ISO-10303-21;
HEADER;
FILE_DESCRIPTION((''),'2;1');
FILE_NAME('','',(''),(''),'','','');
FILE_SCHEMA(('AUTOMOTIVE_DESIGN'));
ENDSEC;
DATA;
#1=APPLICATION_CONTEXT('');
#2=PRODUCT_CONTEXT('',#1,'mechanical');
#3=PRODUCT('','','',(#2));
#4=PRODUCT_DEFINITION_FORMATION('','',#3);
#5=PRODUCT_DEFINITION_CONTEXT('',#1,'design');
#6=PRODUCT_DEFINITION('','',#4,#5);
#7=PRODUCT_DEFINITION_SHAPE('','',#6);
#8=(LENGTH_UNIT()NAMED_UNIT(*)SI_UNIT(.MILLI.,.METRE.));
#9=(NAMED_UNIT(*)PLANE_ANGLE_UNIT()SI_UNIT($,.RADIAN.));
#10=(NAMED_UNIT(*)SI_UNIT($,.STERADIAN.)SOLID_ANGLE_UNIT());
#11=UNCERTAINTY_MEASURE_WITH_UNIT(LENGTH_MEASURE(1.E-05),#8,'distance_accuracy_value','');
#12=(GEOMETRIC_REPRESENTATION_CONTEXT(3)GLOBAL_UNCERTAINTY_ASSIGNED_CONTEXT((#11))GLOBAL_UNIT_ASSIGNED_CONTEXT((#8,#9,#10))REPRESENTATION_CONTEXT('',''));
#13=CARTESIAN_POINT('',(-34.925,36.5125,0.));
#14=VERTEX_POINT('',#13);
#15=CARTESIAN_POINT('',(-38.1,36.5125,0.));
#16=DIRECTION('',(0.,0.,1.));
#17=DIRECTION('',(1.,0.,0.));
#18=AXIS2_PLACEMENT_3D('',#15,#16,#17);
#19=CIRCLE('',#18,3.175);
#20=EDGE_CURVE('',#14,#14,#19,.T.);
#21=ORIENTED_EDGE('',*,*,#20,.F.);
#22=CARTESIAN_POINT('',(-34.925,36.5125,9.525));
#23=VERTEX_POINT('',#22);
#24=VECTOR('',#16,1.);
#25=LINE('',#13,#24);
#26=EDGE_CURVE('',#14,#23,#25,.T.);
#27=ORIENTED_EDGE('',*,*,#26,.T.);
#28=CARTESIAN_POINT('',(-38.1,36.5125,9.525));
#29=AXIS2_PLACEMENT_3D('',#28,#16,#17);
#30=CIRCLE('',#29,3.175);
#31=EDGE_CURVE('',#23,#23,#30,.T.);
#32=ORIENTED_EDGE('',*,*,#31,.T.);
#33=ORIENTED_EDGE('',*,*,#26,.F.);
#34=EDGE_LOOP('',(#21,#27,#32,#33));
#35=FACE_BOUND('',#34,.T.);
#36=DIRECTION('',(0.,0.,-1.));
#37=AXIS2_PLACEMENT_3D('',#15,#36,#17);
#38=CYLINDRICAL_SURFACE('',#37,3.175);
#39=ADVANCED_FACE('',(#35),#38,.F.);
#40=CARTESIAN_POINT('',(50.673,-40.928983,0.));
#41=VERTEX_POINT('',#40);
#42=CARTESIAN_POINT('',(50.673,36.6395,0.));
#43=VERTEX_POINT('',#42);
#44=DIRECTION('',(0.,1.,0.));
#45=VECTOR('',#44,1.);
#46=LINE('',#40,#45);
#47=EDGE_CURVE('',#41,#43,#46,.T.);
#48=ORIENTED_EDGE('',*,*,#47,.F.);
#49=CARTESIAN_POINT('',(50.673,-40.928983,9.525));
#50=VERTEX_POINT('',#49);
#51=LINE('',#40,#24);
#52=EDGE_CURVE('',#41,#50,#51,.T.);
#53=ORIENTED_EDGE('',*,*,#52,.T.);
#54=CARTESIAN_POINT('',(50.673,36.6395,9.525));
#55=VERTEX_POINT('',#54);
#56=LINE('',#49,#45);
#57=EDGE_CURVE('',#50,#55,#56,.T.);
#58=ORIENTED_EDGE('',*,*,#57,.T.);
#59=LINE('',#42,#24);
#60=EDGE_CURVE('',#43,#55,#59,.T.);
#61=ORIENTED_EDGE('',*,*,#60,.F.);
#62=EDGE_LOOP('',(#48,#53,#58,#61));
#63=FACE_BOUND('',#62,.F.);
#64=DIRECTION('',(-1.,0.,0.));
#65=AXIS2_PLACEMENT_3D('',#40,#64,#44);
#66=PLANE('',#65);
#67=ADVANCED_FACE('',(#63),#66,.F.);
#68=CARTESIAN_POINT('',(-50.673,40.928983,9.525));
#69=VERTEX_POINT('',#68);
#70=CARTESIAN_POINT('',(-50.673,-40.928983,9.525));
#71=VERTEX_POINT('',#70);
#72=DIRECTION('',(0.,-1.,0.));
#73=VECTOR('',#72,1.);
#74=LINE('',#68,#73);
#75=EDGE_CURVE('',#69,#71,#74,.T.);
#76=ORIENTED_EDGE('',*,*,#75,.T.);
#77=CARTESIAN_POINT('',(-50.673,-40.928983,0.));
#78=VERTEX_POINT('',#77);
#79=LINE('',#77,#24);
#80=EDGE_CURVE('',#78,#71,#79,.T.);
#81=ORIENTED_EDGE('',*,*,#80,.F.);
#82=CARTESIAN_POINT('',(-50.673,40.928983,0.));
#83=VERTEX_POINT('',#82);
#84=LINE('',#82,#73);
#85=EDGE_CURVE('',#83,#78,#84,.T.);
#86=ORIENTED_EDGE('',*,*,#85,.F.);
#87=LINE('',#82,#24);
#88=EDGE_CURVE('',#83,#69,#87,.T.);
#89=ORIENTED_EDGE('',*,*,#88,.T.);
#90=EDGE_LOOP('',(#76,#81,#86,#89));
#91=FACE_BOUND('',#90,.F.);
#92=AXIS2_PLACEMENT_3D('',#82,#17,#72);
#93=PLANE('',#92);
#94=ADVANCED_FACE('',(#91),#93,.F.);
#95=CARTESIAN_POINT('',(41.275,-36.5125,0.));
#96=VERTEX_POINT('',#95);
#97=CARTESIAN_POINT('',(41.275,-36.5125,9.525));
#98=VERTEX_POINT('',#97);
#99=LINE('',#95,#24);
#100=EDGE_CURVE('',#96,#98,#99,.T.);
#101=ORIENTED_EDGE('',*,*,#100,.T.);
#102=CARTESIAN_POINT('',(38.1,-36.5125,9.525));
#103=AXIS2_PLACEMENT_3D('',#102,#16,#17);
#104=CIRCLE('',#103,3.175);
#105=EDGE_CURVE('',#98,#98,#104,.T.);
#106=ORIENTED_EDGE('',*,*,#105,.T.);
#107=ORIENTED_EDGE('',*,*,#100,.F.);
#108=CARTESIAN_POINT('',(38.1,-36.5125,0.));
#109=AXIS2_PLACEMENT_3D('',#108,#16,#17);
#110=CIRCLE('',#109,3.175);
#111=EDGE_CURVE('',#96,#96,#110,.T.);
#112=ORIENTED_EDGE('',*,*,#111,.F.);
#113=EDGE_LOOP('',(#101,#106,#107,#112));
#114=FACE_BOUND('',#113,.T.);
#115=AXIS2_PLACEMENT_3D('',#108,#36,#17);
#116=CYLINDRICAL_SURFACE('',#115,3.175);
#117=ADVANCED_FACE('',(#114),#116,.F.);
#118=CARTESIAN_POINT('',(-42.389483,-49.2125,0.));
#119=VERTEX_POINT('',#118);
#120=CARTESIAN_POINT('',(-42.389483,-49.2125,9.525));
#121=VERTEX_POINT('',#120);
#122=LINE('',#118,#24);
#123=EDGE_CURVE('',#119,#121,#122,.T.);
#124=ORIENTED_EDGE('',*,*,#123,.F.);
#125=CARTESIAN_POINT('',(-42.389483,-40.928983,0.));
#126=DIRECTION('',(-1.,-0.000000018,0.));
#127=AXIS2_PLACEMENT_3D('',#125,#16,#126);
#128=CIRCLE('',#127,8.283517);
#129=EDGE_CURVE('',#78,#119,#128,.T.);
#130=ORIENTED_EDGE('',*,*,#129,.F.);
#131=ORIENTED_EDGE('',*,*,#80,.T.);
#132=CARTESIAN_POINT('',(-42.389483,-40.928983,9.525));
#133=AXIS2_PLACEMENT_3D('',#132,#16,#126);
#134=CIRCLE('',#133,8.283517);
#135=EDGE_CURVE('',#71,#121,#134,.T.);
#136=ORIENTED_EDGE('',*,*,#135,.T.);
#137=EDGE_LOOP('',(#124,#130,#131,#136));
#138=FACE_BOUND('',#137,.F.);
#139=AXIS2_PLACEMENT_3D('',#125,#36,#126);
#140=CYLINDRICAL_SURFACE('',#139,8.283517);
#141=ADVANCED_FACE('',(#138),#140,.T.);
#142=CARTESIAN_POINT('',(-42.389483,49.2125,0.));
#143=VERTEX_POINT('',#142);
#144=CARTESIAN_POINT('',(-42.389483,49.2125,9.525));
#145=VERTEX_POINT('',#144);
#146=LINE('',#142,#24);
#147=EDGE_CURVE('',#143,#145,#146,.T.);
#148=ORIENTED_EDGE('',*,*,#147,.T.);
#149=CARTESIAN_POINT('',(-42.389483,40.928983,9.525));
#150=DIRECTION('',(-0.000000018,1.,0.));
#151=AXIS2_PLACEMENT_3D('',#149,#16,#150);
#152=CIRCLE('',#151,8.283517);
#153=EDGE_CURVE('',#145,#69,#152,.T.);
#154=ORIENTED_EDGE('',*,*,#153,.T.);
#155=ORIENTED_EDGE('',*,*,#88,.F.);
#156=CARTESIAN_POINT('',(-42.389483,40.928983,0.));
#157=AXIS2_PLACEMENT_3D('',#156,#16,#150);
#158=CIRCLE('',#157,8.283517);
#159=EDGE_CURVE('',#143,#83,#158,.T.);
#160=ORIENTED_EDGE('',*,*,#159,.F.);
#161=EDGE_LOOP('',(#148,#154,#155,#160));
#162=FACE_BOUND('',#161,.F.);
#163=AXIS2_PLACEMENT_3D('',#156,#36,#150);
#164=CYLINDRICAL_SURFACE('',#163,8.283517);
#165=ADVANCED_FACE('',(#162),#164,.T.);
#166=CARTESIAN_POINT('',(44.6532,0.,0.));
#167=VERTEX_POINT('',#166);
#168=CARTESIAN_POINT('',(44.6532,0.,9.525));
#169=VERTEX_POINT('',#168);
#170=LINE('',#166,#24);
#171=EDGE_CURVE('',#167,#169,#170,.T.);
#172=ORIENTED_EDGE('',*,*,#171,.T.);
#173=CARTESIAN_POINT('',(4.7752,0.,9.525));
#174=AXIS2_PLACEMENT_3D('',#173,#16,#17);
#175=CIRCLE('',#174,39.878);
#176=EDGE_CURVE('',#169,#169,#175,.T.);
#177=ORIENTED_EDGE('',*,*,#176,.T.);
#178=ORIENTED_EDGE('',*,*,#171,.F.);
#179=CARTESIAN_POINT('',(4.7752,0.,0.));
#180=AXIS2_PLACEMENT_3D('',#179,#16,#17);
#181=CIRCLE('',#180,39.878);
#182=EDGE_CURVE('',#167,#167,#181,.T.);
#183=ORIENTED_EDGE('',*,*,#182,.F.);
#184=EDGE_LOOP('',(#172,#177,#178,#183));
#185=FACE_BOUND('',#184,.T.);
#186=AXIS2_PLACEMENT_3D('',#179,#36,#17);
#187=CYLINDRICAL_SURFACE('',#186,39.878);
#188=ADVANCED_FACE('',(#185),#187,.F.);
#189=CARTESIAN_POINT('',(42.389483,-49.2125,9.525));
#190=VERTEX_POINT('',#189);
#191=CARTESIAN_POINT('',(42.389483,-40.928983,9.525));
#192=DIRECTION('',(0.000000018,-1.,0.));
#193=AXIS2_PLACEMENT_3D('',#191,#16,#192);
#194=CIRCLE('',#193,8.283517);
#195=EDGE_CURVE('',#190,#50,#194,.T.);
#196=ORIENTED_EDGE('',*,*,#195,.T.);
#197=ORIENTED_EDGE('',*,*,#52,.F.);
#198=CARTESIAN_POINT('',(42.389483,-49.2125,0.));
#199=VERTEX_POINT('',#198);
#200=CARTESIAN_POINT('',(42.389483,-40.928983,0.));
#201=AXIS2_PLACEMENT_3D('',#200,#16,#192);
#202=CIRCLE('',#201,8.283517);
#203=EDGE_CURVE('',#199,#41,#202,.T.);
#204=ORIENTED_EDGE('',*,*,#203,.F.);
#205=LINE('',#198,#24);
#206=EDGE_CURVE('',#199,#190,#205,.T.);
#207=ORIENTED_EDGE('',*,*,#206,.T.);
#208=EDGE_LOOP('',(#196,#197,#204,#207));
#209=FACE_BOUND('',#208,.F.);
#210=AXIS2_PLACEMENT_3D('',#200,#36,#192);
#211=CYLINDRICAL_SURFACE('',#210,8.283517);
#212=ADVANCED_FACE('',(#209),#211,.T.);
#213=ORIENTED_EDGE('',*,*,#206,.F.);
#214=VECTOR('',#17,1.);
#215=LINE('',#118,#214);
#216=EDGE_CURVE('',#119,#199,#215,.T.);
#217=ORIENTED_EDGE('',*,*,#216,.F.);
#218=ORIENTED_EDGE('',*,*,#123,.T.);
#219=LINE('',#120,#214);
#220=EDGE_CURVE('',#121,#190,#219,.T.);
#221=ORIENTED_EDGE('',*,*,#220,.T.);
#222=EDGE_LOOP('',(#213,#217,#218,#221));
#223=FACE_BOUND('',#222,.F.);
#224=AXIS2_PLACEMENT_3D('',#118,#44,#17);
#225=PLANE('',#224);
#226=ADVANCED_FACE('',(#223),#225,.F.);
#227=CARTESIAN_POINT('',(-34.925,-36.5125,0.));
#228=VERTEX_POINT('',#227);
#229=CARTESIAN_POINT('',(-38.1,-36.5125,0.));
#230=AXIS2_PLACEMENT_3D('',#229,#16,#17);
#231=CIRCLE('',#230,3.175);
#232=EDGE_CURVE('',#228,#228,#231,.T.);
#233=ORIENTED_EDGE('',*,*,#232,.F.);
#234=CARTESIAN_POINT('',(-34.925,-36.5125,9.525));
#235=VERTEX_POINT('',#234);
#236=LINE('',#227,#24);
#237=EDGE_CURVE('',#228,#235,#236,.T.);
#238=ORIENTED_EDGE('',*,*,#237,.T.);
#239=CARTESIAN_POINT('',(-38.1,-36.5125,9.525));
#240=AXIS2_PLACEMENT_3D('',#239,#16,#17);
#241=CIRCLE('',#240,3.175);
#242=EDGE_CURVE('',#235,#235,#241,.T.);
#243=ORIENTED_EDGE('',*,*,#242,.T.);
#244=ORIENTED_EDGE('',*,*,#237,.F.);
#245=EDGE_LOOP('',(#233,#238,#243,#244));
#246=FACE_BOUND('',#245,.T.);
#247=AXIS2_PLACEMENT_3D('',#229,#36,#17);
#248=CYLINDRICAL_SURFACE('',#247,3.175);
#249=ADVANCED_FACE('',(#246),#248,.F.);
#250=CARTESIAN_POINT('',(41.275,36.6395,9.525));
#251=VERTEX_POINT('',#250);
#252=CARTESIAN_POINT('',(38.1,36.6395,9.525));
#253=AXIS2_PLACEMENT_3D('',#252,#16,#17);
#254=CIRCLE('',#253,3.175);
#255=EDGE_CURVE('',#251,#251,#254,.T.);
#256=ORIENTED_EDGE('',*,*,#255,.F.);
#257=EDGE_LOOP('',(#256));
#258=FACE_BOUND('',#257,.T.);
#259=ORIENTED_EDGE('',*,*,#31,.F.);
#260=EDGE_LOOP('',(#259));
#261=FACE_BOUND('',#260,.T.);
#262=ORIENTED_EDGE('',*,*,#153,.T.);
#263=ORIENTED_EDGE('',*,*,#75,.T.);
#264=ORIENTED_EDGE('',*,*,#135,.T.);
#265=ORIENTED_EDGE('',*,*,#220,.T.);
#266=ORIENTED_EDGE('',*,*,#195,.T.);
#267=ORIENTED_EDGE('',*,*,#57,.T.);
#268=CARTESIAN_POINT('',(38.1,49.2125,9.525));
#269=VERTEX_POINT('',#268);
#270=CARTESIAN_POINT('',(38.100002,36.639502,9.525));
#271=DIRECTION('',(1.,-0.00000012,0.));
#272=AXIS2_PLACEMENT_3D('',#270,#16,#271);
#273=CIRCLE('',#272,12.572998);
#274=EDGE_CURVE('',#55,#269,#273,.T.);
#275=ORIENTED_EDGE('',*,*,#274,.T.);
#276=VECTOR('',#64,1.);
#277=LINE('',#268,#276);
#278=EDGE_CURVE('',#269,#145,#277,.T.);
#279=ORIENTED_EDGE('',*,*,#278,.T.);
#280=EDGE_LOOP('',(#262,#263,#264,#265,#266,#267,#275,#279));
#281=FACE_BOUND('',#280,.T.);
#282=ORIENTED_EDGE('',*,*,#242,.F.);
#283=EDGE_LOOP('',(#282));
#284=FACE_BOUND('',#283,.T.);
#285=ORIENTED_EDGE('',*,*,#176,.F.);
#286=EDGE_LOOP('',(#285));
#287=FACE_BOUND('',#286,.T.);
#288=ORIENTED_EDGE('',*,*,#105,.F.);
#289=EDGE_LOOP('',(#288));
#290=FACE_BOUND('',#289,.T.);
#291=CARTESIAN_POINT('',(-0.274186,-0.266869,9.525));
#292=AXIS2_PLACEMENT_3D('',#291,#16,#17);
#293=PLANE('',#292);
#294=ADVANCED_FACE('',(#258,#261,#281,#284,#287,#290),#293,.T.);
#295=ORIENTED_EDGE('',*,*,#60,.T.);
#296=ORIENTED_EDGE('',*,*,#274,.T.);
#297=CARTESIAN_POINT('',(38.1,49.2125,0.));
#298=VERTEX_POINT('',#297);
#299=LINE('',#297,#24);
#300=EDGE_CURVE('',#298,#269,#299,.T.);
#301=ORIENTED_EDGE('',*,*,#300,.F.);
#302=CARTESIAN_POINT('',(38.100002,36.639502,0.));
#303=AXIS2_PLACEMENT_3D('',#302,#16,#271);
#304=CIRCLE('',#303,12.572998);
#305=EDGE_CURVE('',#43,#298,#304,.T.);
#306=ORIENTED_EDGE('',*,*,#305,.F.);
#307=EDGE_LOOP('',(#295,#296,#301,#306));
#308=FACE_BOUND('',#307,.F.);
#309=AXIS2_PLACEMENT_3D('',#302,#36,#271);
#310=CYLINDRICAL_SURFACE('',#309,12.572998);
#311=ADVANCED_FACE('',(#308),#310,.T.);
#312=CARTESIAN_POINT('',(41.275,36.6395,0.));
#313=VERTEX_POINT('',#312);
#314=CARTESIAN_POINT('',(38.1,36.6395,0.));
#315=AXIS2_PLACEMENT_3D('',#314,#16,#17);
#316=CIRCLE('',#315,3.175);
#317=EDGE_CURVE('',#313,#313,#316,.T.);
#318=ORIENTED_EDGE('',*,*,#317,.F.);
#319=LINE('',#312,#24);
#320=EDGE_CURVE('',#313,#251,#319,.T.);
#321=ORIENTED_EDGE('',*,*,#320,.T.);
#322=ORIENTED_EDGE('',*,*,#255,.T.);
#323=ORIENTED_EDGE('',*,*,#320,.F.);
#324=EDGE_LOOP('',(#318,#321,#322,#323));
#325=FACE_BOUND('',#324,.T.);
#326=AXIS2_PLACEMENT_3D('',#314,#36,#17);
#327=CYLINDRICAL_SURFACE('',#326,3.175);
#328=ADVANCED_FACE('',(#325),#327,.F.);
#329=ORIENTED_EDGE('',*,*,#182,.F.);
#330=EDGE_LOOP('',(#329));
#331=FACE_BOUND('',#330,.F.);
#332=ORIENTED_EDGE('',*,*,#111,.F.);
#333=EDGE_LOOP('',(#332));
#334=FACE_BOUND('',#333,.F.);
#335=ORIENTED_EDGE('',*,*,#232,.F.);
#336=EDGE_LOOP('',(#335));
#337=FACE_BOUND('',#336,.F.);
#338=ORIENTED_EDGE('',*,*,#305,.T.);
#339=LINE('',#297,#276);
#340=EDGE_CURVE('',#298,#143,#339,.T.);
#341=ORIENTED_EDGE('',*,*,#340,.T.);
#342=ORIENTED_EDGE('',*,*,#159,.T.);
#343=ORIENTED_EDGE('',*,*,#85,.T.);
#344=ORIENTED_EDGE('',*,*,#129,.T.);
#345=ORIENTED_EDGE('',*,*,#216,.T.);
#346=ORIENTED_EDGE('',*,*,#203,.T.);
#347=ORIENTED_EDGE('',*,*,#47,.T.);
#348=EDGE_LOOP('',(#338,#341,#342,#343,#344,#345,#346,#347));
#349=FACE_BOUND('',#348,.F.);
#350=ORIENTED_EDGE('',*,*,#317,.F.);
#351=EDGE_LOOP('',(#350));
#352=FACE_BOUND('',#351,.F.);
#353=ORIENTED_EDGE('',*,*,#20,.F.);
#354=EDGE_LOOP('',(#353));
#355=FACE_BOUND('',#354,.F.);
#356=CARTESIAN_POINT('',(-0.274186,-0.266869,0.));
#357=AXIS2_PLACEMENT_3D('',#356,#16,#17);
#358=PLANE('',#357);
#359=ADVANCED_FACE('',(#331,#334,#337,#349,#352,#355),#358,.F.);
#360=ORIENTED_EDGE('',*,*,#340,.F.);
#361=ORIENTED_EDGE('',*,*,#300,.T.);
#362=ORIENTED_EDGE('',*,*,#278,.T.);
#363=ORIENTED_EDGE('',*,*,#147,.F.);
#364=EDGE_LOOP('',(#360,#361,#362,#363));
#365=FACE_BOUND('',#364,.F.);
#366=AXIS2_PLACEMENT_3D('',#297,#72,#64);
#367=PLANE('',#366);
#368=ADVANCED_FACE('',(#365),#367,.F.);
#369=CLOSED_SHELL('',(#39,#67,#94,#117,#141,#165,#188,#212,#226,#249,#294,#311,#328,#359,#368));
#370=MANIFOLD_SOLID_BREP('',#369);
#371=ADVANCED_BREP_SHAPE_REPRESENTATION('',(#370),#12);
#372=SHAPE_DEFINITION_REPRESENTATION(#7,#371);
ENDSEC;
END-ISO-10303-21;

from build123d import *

# Parameters (mm, degrees)
F0_R     = 3.175
F0_R_2   = 39.878
F1_DEPTH = 9.525


with BuildPart() as f1:
    # F0 (on Top) → F1 (new body)
    with BuildSketch(Plane.XY):
        with BuildLine():
            Line((38.1, 49.2125), (-42.389483, 49.2125))
            ThreePointArc((-42.389483, 49.2125), (-48.246814, 46.786314), (-50.673, 40.928983))
            Line((-50.673, 40.928983), (-50.673, -40.928983))
            ThreePointArc((-50.673, -40.928983), (-48.246814, -46.786314), (-42.389483, -49.2125))
            Line((-42.389483, -49.2125), (42.389483, -49.2125))
            ThreePointArc((42.389483, -49.2125), (48.246814, -46.786314), (50.673, -40.928983))
            Line((50.673, -40.928983), (50.673, 36.6395))
            ThreePointArc((50.673, 36.6395), (46.990454, 45.529954), (38.1, 49.2125))
        make_face()
        with Locations((-38.1, -36.5125)):
            Circle(F0_R, mode=Mode.SUBTRACT)
        with Locations((38.1, -36.5125)):
            Circle(F0_R, mode=Mode.SUBTRACT)
        with Locations((-38.1, 36.5125)):
            Circle(F0_R, mode=Mode.SUBTRACT)
        with Locations((4.7752, 0)):
            Circle(F0_R_2, mode=Mode.SUBTRACT)
        with Locations((38.1, 36.6395)):
            Circle(F0_R, mode=Mode.SUBTRACT)
    extrude(amount=F1_DEPTH)


solid = f1.part
